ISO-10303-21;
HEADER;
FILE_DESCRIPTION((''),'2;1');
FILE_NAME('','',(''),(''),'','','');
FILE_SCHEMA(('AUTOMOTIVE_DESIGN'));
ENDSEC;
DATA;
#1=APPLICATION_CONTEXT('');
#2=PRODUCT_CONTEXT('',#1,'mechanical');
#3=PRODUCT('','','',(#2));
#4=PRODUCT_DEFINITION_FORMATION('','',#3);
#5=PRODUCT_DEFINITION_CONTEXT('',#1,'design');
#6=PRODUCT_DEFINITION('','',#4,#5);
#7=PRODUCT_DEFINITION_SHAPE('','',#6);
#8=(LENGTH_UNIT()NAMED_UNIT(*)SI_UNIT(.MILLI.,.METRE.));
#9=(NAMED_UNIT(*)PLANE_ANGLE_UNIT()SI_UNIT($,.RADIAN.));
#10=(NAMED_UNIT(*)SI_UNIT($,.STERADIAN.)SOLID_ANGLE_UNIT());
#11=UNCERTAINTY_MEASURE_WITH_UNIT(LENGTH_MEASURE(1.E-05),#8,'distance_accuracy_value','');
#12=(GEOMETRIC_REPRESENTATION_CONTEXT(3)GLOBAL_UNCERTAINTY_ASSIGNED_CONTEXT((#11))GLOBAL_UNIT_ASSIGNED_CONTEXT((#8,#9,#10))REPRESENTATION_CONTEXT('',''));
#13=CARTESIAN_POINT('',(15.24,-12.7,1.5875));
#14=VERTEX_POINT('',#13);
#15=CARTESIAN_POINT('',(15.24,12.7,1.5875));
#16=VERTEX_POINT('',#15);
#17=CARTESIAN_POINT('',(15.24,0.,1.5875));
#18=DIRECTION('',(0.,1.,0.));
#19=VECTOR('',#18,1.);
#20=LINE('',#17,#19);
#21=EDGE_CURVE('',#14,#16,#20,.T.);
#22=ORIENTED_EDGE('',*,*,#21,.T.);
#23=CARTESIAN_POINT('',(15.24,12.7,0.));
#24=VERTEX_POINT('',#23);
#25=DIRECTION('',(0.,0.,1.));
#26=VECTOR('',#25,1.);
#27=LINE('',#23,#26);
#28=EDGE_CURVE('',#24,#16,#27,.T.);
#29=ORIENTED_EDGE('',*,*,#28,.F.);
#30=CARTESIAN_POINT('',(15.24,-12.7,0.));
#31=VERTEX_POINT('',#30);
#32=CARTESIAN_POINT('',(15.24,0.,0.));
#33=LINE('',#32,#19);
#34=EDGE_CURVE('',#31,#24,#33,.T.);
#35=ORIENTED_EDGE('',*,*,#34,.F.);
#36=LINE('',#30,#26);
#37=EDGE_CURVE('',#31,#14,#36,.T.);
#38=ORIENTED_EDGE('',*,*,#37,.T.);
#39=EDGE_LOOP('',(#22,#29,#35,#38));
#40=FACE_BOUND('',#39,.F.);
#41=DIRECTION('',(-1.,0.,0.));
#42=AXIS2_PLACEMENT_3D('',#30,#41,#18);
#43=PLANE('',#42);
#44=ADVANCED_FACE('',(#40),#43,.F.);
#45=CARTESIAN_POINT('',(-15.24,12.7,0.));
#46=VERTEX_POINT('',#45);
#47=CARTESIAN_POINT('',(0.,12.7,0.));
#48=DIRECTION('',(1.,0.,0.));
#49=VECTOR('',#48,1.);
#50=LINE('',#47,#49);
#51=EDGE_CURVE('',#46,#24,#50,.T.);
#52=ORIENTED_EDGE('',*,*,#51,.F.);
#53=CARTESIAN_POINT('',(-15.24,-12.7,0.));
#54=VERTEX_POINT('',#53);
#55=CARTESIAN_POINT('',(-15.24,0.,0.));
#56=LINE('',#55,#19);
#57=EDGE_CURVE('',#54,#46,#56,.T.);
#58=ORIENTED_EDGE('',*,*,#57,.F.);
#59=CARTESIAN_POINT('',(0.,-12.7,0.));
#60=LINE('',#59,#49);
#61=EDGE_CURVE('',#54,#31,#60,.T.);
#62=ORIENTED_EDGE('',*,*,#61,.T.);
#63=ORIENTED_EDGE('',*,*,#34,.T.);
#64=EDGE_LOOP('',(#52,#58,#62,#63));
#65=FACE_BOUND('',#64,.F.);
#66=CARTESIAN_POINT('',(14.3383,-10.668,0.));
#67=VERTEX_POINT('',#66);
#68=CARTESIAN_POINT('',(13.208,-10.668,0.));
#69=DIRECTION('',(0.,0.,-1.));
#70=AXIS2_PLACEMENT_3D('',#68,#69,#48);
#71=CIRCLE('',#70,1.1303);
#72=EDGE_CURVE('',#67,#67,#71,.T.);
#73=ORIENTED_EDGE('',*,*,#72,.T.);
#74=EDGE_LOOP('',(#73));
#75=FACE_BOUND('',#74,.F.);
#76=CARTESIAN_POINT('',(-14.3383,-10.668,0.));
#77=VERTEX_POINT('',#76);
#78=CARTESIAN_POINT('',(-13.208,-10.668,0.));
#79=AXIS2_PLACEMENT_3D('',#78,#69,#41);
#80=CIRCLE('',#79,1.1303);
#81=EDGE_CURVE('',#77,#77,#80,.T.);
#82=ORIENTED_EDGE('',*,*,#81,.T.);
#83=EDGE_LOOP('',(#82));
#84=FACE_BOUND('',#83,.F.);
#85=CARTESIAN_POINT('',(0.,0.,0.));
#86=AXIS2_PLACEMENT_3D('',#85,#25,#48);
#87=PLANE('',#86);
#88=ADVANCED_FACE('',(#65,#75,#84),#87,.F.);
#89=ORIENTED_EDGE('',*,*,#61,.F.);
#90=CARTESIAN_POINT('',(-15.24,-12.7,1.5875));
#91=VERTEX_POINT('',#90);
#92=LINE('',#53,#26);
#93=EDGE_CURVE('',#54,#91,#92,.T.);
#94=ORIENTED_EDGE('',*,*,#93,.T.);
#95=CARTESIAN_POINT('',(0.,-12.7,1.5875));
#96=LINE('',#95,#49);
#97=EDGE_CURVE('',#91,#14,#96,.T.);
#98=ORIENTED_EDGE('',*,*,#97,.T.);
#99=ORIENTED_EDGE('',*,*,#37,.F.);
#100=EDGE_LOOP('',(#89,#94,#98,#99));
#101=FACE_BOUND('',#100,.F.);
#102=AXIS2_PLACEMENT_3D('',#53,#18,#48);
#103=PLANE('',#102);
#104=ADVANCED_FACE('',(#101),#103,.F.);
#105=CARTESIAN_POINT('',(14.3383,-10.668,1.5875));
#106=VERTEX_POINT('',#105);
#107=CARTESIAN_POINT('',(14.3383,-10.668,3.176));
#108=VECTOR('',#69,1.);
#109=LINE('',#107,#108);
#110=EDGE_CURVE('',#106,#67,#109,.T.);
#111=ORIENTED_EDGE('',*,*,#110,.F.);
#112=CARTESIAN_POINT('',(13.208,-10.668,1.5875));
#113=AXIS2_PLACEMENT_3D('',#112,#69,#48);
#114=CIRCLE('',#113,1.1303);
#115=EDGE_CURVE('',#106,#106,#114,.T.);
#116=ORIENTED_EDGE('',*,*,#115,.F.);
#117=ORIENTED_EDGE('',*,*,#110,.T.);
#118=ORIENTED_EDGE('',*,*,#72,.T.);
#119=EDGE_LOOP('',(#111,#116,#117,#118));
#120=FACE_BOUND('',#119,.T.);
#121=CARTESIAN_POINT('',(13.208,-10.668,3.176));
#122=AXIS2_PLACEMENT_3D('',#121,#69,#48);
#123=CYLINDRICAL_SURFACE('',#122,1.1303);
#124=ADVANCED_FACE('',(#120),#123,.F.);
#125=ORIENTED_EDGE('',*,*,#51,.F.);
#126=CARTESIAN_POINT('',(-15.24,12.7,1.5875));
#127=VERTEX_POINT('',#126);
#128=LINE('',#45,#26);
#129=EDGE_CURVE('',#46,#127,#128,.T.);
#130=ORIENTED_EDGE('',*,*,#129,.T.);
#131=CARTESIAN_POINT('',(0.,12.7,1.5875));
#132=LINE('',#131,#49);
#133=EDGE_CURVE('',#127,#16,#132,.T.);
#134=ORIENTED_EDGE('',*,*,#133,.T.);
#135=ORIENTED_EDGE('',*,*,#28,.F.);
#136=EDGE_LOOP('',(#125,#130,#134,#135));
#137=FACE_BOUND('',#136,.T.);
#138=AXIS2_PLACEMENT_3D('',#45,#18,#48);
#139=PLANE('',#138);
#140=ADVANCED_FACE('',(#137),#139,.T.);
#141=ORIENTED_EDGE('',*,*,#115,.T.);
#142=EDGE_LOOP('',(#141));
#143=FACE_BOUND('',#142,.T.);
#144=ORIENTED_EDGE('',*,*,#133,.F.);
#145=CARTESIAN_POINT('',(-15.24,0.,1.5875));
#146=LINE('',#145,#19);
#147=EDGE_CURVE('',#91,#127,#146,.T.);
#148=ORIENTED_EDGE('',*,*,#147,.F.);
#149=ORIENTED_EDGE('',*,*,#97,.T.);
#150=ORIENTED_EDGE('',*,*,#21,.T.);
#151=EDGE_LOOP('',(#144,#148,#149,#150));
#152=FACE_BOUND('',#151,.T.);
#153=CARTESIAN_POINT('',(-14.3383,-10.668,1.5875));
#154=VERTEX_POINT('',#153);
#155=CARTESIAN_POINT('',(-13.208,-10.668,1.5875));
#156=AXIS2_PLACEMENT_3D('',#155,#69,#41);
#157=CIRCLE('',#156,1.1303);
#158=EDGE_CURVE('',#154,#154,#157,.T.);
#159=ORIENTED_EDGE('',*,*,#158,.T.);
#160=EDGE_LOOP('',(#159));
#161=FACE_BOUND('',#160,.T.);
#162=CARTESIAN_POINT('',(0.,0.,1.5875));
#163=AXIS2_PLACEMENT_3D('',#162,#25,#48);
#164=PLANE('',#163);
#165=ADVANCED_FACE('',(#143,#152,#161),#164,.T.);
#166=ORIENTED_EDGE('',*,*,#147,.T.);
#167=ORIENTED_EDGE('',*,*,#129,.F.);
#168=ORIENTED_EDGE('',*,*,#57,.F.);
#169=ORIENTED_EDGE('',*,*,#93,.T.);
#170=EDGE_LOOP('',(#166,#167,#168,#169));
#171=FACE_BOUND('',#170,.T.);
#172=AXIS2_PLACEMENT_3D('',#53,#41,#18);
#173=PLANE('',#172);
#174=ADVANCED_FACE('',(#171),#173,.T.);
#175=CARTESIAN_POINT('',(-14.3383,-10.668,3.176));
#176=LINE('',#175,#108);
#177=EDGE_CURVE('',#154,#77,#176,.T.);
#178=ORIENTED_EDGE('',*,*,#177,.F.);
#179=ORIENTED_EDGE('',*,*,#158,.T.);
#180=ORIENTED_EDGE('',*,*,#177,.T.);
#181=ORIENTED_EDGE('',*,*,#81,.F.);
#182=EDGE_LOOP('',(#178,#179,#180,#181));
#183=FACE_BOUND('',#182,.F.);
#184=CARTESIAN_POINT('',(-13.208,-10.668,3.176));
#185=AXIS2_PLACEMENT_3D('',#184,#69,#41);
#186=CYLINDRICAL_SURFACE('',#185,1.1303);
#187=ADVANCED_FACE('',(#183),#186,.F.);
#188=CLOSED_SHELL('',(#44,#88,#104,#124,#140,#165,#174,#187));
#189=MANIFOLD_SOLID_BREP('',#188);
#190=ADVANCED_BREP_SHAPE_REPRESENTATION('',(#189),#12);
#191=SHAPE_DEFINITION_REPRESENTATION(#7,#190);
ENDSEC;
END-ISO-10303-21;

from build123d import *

# Parameters (mm, degrees)
SKETCH1_W                 = 30.48
SKETCH1_H                 = 25.4
BOSS_EXTRUDE1_DEPTH       = 1.5875
F_2_CLEARANCE_HOLE1_D     = 2.2606
F_2_CLEARANCE_HOLE1_DEPTH = 1.5885


with BuildPart() as part:
    # Sketch1 → Boss-Extrude1 (new body)
    with BuildSketch(Plane.XY):
        Rectangle(SKETCH1_W, SKETCH1_H)
    extrude(amount=BOSS_EXTRUDE1_DEPTH)

    # #2 Clearance Hole1
    with Locations(Plane.XY.offset(1.5875)):
        with Locations((-13.208, -10.668)):
            f_2_clearance_hole1 = Hole(F_2_CLEARANCE_HOLE1_D / 2, depth=F_2_CLEARANCE_HOLE1_DEPTH)

    # Mirror1: #2 Clearance Hole1 across plane
    add(f_2_clearance_hole1.mirror(Plane(origin=(0, 0, 0), x_dir=(0, 0, 1), z_dir=(1, 0, 0))), mode=Mode.SUBTRACT)


solid = part.part
